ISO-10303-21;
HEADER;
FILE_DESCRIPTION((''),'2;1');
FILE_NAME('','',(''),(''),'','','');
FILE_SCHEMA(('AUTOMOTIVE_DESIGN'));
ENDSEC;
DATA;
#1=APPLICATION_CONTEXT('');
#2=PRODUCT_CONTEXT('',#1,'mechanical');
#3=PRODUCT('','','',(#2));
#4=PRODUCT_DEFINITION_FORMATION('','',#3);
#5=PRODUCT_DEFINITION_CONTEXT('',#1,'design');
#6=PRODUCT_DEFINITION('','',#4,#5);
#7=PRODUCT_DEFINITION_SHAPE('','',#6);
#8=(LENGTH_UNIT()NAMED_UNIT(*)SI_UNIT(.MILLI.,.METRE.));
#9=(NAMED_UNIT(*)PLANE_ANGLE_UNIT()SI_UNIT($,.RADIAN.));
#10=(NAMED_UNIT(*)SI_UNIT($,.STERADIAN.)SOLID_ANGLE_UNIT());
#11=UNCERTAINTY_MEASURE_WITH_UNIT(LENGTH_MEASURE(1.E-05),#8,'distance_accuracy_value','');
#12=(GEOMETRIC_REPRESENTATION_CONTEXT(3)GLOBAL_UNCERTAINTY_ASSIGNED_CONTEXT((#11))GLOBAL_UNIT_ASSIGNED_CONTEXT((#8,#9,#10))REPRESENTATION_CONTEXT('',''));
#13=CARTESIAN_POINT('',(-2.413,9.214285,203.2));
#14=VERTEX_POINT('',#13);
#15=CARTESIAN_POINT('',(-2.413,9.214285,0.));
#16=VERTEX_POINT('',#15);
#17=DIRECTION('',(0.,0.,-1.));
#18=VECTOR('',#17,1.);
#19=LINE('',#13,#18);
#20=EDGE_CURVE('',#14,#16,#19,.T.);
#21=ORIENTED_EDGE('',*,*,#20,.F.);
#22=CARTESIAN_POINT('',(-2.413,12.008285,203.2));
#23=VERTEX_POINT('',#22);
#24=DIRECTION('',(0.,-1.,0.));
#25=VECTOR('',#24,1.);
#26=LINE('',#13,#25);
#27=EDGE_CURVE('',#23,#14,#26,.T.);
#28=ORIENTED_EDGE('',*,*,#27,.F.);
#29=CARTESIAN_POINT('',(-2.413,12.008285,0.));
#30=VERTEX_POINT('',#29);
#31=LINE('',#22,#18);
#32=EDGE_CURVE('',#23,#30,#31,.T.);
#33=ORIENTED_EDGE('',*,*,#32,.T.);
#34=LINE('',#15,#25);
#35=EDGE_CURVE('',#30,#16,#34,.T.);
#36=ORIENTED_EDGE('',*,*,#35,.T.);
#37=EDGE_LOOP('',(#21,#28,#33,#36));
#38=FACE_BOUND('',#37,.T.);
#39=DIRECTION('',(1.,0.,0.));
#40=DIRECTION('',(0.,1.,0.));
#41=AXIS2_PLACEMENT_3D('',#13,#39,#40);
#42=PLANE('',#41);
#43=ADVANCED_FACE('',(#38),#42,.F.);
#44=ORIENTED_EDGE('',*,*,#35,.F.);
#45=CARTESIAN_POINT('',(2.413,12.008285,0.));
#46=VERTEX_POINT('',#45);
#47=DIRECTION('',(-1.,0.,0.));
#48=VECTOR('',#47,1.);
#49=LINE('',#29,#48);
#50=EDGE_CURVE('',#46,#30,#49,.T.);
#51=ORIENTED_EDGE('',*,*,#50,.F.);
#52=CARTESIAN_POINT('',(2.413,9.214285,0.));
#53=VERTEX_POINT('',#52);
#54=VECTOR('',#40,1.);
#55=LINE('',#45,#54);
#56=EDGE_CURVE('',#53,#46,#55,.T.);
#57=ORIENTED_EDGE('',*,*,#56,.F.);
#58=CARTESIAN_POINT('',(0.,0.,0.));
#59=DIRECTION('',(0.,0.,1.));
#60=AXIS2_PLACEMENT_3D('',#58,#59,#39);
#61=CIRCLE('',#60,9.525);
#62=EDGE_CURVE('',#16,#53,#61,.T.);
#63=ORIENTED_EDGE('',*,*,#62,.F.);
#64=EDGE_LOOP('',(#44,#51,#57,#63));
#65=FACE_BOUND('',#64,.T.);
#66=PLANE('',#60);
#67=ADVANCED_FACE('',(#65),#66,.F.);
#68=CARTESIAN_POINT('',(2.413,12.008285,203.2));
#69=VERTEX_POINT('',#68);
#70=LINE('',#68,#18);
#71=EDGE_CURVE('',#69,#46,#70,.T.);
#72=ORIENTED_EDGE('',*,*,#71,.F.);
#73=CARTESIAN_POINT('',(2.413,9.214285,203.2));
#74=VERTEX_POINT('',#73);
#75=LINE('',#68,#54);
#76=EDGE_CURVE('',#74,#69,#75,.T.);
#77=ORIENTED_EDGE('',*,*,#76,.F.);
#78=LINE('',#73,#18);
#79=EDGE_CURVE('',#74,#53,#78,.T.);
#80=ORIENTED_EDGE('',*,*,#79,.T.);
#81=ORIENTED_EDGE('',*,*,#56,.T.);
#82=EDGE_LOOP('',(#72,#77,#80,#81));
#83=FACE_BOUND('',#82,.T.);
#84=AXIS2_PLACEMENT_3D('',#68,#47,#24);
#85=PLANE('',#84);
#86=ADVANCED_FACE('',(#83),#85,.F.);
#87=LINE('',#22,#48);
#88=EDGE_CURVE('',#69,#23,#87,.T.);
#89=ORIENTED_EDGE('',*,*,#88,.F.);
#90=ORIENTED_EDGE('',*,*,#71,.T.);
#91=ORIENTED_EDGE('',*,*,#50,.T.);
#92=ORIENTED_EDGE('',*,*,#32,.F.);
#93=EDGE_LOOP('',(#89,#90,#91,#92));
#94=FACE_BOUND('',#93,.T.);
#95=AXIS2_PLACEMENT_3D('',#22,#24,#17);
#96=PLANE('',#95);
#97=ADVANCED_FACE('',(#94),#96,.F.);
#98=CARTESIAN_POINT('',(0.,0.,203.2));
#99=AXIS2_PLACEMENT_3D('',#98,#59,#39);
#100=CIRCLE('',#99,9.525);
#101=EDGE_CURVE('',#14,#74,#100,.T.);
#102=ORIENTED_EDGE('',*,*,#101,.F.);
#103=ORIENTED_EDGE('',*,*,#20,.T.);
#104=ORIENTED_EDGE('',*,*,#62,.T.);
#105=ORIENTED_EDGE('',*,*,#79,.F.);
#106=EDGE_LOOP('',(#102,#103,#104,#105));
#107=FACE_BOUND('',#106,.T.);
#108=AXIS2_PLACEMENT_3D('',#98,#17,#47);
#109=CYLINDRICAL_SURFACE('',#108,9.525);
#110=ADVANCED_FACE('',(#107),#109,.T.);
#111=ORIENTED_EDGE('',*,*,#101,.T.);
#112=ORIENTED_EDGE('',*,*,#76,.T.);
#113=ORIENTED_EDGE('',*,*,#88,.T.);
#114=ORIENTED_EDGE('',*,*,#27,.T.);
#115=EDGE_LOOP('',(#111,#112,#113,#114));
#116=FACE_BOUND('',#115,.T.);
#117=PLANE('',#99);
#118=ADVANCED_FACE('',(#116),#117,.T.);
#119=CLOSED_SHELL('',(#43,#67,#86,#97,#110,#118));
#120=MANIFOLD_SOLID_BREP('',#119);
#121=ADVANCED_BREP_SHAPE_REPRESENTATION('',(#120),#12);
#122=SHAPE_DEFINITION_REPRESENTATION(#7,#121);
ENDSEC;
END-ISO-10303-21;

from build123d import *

# Parameters (mm, degrees)
BOSS_EXTRUDE1_DEPTH = 203.2


with BuildPart() as part:
    # Sketch1 → Boss-Extrude1 (new body)
    with BuildSketch(Plane.XY):
        with BuildLine():
            Line((-2.413, 9.214285431), (-2.413, 12.008285431))
            Line((-2.413, 12.008285431), (2.413, 12.008285431))
            Line((2.413, 12.008285431), (2.413, 9.214285431))
            ThreePointArc((2.413, 9.214285431), (0, -9.525), (-2.413, 9.214285431))
        make_face()
    extrude(amount=BOSS_EXTRUDE1_DEPTH)


solid = part.part
